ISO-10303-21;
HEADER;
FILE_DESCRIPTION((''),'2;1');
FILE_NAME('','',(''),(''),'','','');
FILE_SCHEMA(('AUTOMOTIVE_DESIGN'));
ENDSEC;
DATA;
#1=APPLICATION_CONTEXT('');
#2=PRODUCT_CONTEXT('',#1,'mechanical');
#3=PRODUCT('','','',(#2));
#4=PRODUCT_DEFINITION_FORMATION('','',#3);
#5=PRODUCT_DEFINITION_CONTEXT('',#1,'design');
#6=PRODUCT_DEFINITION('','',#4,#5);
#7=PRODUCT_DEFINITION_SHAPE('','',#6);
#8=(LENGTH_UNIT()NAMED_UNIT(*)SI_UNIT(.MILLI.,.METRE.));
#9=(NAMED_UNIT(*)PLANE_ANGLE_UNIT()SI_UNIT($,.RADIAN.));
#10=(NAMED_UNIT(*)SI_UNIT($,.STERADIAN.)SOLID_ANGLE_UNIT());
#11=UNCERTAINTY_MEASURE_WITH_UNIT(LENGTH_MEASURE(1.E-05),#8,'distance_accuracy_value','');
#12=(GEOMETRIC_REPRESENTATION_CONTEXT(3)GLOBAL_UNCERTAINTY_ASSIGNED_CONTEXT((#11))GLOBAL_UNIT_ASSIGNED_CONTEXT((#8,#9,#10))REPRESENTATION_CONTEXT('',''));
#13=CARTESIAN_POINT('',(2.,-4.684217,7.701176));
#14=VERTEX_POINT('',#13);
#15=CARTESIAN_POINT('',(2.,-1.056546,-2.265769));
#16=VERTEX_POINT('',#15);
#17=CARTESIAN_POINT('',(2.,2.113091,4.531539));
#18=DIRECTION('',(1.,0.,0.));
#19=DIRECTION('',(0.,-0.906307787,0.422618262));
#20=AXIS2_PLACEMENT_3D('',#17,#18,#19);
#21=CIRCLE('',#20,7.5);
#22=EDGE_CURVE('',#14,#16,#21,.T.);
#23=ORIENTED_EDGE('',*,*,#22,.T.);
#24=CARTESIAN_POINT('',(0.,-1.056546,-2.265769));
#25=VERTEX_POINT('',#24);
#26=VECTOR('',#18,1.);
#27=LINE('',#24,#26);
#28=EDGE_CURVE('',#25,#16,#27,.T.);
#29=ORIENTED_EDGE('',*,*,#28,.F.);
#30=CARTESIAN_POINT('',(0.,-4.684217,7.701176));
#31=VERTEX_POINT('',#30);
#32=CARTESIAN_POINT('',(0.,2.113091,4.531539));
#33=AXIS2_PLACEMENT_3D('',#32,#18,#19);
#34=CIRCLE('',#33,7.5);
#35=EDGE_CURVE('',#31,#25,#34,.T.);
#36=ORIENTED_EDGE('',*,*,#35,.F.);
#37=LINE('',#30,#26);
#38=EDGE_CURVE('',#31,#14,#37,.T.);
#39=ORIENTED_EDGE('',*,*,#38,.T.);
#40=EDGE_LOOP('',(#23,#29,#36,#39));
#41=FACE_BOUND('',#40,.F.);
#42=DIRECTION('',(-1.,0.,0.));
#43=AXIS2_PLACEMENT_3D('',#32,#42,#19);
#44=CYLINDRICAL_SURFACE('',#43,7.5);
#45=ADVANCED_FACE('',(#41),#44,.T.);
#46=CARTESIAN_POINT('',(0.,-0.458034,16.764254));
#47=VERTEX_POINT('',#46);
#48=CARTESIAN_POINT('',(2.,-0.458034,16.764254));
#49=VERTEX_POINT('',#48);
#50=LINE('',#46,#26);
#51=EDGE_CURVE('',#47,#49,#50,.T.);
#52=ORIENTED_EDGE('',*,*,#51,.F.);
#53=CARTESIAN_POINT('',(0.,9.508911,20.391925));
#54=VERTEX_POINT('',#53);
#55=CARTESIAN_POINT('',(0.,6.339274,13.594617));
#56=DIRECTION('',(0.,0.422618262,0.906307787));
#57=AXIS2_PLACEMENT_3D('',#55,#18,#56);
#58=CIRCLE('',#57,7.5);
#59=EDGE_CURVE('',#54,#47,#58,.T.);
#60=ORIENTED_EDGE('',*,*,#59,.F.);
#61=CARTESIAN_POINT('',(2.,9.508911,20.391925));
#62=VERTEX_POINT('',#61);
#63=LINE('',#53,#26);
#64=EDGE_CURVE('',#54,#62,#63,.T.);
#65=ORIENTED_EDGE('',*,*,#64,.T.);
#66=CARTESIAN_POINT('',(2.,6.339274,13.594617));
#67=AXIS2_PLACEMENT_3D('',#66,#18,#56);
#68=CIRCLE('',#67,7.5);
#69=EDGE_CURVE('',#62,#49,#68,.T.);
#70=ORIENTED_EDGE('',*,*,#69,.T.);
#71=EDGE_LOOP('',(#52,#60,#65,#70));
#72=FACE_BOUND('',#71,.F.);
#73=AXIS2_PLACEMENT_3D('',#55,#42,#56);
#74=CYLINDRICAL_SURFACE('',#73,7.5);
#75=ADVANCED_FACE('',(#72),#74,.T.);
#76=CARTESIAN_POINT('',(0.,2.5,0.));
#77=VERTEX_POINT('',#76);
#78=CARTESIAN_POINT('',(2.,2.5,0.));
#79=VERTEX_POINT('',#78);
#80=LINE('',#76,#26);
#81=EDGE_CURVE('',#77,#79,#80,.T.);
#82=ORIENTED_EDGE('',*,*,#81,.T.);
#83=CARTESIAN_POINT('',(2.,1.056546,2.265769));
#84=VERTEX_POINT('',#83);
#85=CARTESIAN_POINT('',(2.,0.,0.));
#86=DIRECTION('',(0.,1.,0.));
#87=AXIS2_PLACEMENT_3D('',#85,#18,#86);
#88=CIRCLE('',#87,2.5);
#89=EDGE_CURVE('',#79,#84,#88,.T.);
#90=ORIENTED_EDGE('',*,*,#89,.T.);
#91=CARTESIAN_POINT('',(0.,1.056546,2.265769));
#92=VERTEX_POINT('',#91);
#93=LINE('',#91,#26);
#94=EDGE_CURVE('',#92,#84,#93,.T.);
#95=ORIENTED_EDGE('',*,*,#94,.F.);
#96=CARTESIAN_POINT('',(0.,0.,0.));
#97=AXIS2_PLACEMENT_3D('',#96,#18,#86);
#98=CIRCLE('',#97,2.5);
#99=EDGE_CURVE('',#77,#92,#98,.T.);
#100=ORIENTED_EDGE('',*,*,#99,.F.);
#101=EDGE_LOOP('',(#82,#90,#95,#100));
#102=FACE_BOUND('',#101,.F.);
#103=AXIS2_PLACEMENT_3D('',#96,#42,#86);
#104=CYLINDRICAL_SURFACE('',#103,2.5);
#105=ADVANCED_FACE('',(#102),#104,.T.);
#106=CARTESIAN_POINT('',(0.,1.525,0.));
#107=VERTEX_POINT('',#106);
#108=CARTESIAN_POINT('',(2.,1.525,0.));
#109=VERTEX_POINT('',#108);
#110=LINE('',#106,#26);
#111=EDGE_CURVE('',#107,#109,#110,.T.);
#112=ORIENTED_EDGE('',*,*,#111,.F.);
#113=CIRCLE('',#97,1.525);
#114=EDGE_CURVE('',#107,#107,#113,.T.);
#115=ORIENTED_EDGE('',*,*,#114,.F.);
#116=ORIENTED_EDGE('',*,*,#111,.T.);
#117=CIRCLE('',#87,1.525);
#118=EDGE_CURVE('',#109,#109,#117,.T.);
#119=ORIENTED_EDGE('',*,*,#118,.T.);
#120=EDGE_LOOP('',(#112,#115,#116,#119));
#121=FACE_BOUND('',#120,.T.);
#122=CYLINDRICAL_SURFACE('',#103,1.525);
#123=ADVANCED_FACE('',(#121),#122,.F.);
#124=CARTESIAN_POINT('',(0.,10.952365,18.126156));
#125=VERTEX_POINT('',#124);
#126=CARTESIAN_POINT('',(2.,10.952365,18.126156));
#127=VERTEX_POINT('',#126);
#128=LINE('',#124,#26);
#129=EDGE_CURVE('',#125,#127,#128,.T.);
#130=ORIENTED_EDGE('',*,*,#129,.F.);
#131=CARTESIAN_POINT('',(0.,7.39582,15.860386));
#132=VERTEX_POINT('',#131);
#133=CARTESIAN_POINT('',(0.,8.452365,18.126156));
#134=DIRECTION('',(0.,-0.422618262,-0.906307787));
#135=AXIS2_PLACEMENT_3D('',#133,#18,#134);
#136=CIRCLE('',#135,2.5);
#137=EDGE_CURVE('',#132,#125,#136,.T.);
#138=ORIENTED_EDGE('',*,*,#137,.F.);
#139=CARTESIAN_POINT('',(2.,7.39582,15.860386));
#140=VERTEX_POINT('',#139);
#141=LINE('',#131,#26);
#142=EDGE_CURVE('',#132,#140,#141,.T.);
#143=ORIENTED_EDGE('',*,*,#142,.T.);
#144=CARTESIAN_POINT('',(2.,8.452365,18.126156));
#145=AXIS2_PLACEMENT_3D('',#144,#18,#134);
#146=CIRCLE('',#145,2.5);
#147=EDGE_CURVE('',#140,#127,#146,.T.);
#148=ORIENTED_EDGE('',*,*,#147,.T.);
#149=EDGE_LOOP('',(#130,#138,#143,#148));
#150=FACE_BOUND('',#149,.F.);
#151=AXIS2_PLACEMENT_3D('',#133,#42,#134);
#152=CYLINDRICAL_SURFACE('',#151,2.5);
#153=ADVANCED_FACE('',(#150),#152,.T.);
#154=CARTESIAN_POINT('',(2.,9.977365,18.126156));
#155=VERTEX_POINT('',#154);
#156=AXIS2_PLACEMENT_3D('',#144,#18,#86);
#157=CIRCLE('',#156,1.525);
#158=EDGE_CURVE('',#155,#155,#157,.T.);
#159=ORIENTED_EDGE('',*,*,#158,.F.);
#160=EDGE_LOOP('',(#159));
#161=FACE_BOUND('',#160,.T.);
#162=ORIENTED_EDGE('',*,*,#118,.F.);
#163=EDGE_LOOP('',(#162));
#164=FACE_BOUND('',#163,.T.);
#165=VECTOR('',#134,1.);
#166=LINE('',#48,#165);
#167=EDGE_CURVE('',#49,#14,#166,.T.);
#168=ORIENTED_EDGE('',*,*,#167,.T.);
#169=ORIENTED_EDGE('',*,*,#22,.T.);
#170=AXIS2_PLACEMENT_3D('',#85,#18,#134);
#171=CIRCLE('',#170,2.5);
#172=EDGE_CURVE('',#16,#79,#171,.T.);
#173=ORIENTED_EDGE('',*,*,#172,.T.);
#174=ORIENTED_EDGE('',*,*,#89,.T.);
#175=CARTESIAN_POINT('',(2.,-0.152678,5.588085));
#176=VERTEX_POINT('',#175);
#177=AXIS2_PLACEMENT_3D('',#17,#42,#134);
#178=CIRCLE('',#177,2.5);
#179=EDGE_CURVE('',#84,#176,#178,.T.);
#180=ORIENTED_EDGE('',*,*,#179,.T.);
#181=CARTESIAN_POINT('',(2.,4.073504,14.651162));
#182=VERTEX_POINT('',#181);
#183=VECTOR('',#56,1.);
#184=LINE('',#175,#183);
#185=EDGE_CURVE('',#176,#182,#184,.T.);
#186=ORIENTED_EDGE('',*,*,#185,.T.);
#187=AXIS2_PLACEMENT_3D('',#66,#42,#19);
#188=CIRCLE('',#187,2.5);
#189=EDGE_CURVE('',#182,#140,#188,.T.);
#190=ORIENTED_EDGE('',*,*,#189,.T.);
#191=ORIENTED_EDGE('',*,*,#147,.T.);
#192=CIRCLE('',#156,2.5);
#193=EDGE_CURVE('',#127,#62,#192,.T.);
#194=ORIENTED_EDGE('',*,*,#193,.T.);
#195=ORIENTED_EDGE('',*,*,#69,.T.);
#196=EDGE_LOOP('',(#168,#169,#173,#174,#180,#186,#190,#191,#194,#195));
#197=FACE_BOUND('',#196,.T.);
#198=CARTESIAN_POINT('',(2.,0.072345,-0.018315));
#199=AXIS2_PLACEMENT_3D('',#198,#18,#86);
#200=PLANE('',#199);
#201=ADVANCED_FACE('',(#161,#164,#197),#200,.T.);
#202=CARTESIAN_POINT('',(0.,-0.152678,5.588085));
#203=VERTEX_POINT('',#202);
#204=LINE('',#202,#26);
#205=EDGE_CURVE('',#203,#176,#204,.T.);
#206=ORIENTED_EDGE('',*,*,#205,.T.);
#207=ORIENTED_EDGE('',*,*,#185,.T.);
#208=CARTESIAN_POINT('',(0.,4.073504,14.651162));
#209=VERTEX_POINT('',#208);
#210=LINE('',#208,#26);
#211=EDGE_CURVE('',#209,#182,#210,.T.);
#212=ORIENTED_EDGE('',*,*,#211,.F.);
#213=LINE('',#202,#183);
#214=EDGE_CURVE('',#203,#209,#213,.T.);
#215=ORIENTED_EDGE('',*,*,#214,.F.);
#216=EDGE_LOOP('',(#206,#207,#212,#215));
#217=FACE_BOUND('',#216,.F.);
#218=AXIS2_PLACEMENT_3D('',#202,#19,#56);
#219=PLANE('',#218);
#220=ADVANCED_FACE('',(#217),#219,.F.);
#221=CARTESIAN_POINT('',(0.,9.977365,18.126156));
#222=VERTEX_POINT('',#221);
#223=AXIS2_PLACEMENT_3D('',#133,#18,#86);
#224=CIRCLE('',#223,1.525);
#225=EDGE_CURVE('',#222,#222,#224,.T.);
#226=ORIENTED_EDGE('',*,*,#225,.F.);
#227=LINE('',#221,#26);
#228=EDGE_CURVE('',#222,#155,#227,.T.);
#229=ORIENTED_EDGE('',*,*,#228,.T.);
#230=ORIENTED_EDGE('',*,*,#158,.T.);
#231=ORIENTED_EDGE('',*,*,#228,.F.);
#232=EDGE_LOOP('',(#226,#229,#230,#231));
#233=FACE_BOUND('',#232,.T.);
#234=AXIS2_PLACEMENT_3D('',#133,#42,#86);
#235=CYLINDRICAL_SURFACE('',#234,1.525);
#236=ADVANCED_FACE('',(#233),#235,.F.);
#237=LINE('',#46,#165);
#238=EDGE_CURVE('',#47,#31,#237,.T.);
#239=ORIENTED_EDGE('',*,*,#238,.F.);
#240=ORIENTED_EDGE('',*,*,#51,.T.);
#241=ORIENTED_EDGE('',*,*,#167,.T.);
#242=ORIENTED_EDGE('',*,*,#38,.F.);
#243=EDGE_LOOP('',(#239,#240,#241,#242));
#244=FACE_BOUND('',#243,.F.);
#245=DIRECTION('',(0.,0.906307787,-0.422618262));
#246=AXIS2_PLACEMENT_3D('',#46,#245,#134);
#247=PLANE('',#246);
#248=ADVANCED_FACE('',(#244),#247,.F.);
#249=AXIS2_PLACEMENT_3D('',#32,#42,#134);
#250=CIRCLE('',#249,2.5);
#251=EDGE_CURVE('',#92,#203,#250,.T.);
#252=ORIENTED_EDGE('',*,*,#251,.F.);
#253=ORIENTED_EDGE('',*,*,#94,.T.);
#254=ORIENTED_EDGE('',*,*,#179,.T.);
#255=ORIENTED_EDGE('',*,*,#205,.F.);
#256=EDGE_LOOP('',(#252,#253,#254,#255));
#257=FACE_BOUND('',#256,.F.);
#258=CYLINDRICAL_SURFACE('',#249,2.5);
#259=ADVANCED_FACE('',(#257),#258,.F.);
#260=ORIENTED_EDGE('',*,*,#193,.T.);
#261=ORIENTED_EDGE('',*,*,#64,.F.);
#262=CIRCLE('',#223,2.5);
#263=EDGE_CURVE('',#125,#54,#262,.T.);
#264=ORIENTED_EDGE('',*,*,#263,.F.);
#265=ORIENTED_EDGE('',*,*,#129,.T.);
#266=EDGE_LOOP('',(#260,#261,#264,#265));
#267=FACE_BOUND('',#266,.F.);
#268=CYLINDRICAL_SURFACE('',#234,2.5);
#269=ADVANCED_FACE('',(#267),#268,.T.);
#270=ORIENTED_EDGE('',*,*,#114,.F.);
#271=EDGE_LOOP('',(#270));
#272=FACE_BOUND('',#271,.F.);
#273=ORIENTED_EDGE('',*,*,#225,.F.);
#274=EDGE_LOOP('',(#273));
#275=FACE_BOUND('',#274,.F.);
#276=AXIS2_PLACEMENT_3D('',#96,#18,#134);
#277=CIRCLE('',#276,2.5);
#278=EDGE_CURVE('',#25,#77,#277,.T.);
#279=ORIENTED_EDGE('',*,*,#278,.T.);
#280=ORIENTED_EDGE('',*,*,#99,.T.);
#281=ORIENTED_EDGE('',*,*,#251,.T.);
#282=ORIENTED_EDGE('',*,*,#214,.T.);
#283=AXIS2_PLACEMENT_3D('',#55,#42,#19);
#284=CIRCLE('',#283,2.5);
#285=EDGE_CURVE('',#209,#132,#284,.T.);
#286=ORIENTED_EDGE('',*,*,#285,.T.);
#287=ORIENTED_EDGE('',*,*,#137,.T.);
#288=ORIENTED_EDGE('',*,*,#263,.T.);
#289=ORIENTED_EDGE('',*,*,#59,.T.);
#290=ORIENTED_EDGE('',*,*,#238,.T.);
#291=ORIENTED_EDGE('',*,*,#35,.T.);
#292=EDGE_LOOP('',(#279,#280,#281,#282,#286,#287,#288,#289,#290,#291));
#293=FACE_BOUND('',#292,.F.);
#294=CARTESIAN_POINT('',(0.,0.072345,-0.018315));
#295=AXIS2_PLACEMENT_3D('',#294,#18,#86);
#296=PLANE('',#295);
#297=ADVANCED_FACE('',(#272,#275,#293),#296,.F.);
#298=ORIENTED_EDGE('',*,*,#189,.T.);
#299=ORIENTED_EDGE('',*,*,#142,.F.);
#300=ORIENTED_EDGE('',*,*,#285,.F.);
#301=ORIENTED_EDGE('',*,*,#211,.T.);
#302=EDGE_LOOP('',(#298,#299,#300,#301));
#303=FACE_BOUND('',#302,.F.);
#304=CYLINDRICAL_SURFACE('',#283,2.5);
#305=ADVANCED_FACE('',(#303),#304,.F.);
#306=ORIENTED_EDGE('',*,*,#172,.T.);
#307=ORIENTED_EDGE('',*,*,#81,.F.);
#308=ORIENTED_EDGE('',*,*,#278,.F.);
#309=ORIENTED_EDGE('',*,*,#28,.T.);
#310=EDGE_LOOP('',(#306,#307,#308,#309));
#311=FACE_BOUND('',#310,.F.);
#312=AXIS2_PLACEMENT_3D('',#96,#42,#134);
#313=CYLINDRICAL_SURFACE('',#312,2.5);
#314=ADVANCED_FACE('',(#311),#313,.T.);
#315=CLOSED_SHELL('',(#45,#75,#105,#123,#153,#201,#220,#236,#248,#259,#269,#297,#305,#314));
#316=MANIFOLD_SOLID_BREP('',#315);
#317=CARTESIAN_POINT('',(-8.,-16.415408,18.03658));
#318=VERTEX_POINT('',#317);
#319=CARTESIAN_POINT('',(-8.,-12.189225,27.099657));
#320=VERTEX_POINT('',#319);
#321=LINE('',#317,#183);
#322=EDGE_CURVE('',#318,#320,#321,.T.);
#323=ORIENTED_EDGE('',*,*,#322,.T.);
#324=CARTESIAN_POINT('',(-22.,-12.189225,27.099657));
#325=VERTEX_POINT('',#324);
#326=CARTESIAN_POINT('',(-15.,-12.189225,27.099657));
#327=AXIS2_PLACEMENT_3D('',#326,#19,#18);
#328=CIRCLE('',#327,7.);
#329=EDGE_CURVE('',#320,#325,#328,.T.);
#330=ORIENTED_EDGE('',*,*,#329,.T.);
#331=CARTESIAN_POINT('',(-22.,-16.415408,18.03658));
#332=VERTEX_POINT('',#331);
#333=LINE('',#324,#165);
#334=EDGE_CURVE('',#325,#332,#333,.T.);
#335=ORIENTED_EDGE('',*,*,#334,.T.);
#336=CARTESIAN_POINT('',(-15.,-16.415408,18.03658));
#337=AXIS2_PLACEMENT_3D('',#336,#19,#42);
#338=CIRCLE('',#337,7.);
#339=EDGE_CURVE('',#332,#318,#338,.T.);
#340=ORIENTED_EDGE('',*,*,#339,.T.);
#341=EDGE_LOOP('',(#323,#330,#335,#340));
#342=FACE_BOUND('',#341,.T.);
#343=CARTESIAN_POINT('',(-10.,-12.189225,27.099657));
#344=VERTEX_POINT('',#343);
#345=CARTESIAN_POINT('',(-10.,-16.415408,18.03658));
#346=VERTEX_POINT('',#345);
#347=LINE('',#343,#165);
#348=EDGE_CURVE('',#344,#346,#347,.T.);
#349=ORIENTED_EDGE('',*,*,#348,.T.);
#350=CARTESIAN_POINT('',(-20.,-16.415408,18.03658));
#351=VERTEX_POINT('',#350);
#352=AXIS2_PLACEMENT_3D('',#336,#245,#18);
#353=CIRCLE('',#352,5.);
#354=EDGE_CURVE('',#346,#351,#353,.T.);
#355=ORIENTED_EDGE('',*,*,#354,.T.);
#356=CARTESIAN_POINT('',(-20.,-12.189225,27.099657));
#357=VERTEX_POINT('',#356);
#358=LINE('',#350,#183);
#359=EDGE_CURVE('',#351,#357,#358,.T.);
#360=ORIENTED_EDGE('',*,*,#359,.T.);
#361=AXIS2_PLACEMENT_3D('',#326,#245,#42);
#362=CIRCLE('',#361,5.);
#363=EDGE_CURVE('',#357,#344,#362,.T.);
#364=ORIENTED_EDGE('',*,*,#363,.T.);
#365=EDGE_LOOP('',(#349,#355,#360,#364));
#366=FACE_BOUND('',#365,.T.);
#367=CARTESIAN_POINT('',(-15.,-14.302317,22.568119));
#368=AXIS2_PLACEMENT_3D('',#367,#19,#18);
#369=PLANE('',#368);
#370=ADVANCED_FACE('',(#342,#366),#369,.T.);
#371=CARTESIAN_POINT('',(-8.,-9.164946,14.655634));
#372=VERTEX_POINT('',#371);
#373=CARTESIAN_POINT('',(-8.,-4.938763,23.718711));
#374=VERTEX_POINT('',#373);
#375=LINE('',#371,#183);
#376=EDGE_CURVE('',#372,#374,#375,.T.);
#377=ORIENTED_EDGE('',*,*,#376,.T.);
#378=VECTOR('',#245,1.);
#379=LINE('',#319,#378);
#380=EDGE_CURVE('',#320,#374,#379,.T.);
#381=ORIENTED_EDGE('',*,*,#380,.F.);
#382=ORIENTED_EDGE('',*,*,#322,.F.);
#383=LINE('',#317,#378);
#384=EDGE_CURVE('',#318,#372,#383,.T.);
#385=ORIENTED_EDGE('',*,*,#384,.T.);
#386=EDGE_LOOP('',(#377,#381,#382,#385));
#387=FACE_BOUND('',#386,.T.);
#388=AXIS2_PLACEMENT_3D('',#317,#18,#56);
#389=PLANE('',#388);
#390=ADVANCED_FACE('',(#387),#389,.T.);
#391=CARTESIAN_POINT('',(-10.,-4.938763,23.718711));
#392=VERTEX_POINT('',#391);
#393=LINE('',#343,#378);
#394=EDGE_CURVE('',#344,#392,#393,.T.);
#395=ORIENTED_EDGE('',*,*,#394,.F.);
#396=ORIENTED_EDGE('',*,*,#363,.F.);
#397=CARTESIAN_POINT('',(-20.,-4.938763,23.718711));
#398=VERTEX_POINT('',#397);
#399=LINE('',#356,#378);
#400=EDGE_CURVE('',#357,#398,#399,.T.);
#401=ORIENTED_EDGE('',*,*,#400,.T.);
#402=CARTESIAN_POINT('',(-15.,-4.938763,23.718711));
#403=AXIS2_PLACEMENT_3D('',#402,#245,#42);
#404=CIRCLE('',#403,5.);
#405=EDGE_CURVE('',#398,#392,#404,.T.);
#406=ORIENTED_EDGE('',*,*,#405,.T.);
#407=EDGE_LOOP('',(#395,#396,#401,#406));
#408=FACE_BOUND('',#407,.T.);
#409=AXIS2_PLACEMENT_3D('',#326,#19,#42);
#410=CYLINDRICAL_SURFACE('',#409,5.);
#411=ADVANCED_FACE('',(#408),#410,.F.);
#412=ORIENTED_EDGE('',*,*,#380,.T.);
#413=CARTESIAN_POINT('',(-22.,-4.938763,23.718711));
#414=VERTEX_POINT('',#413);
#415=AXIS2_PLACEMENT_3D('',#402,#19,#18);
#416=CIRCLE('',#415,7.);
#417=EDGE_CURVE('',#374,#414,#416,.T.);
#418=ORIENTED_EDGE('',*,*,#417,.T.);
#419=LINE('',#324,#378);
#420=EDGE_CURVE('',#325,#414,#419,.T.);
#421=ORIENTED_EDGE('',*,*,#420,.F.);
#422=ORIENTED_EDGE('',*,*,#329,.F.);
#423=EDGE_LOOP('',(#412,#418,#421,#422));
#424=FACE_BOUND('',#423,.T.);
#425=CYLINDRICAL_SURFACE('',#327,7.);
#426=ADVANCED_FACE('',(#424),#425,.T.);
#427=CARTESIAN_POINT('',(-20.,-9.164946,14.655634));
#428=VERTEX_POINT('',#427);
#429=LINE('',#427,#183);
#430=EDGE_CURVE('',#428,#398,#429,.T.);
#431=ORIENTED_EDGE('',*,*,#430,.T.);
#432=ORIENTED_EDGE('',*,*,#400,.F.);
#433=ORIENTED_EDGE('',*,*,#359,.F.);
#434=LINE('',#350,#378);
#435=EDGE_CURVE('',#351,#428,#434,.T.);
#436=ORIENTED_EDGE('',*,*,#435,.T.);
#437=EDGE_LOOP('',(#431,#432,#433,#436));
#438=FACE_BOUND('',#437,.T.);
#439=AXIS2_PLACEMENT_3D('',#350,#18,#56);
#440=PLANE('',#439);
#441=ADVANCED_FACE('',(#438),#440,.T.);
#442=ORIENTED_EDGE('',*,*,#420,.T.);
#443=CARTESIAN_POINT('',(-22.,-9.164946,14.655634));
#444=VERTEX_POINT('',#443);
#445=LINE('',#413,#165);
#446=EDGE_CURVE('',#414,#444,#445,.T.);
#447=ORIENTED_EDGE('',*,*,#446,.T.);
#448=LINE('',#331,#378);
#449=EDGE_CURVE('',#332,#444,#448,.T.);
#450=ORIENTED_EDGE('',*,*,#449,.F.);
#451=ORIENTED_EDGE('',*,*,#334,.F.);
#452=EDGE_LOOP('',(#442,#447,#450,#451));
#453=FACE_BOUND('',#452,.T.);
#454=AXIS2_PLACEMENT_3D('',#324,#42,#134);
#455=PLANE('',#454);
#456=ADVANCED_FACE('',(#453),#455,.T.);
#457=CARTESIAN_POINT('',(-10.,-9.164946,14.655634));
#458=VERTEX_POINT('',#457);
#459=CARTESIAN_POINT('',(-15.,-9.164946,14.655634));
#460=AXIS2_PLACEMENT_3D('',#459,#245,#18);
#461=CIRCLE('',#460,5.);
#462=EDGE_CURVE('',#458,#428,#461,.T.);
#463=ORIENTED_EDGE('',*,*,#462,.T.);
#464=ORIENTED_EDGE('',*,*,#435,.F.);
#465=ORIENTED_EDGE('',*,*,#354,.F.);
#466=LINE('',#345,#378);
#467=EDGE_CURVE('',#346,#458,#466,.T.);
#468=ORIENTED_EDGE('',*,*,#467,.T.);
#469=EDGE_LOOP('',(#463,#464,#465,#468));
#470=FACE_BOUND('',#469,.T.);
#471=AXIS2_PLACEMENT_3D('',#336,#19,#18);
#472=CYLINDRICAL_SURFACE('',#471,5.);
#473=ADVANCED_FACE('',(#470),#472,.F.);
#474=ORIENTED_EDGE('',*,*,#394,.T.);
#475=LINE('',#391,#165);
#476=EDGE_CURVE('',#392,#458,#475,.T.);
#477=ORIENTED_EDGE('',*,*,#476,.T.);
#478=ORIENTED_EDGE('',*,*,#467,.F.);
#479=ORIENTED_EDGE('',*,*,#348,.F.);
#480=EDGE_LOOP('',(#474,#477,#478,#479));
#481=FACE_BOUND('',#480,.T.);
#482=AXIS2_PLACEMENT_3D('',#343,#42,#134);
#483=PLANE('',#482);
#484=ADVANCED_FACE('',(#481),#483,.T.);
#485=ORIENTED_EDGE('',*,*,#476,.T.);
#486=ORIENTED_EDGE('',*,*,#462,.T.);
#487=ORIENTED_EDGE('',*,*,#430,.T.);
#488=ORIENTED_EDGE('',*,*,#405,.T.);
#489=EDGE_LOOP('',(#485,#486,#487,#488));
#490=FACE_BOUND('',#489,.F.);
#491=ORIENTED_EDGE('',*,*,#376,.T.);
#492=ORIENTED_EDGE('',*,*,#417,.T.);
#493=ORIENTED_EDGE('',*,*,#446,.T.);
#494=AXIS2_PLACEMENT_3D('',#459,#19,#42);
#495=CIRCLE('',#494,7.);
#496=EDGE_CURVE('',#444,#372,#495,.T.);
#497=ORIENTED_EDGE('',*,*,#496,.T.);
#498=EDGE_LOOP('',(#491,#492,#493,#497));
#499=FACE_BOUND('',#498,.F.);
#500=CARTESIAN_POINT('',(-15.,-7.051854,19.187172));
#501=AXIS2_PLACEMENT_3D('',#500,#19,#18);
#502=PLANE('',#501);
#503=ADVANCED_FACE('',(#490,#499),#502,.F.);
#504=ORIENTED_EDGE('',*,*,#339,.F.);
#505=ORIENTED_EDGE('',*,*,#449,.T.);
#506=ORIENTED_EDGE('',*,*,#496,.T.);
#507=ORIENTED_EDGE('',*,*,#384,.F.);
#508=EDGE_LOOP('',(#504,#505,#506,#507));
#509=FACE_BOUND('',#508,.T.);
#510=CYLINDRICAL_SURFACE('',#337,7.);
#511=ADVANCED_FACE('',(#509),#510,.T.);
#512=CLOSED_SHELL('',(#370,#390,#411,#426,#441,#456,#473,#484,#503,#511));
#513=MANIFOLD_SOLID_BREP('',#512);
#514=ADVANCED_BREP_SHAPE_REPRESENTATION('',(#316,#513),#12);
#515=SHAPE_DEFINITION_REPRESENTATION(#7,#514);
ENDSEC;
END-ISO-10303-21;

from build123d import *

# Parameters (mm, degrees)
F0_R     = 1.525
F1_DEPTH = 2
F4_DEPTH = 8


with BuildPart() as f1:
    # F0 (on Right) → F1 (new body)
    with BuildSketch(Plane.YZ):
        with BuildLine():
            ThreePointArc((-1.0565456544, -2.2657694676), (1.3432490209, -2.1084786145), (2.5, 0))
            ThreePointArc((2.5, 0), (2.1084786145, 1.3432490209), (1.0565456544, 2.2657694676))
            ThreePointArc((1.0565456544, 2.2657694676), (-2.2657694676, 1.0565456544), (-1.0565456544, -2.2657694676))
        make_face()
        Circle(F0_R, mode=Mode.SUBTRACT)
        with BuildLine():
            ThreePointArc((-1.0565456544, -2.2657694676), (-2.2657694676, 1.0565456544), (1.0565456544, 2.2657694676))
            ThreePointArc((1.0565456544, 2.2657694676), (-0.2361402433, 3.6764885769), (-0.1526781589, 5.5880845895))
            Line((-0.1526781589, 5.5880845895), (4.0735044585, 14.6511624599))
            ThreePointArc((4.0735044585, 14.6511624599), (5.4842235678, 15.9438483575), (7.3958195805, 15.8603862731))
            ThreePointArc((7.3958195805, 15.8603862731), (6.1865957672, 19.1827013951), (9.5089108892, 20.3919252083))
            ThreePointArc((9.5089108892, 20.3919252083), (3.7741228512, 20.6423114614), (-0.4580344767, 16.7642537686))
            Line((-0.4580344767, 16.7642537686), (-4.6842170941, 7.7011758982))
            ThreePointArc((-4.6842170941, 7.7011758982), (-4.9346033472, 1.9663878602), (-1.0565456544, -2.2657694676))
        make_face()
        with BuildLine():
            ThreePointArc((9.5089108892, 20.3919252083), (6.1865957672, 19.1827013951), (7.3958195805, 15.8603862731))
            ThreePointArc((7.3958195805, 15.8603862731), (9.7956142557, 16.0176771262), (10.9523652348, 18.1261557407))
            ThreePointArc((10.9523652348, 18.1261557407), (10.5608438493, 19.4694047616), (9.5089108892, 20.3919252083))
        make_face()
        with Locations((8.4523652348, 18.1261557407)):
            Circle(F0_R, mode=Mode.SUBTRACT)
    extrude(amount=F1_DEPTH)


with BuildPart() as f4:
    # F3 (on offset) → F4 (new body)
    with BuildSketch(Plane(origin=(0, -20.3919252083, 9.5089108892), x_dir=(1, 0, 0), z_dir=(0, -0.906307787, 0.4226182617))):
        with BuildLine():
            ThreePointArc((-8, 19.4092413783), (-15, 26.4092413783), (-22, 19.4092413783))
            Line((-22, 19.4092413783), (-22, 9.4092413783))
            ThreePointArc((-22, 9.4092413783), (-15, 2.4092413783), (-8, 9.4092413783))
            Line((-8, 9.4092413783), (-8, 19.4092413783))
        make_face()
        with BuildLine():
            Line((-10, 19.4092413783), (-10, 9.4092413783))
            ThreePointArc((-10, 9.4092413783), (-15, 4.4092413783), (-20, 9.4092413783))
            Line((-20, 9.4092413783), (-20, 19.4092413783))
            ThreePointArc((-20, 19.4092413783), (-15, 24.4092413783), (-10, 19.4092413783))
        make_face(mode=Mode.SUBTRACT)
    extrude(amount=-F4_DEPTH)


solid = Compound([f1.part, f4.part])
